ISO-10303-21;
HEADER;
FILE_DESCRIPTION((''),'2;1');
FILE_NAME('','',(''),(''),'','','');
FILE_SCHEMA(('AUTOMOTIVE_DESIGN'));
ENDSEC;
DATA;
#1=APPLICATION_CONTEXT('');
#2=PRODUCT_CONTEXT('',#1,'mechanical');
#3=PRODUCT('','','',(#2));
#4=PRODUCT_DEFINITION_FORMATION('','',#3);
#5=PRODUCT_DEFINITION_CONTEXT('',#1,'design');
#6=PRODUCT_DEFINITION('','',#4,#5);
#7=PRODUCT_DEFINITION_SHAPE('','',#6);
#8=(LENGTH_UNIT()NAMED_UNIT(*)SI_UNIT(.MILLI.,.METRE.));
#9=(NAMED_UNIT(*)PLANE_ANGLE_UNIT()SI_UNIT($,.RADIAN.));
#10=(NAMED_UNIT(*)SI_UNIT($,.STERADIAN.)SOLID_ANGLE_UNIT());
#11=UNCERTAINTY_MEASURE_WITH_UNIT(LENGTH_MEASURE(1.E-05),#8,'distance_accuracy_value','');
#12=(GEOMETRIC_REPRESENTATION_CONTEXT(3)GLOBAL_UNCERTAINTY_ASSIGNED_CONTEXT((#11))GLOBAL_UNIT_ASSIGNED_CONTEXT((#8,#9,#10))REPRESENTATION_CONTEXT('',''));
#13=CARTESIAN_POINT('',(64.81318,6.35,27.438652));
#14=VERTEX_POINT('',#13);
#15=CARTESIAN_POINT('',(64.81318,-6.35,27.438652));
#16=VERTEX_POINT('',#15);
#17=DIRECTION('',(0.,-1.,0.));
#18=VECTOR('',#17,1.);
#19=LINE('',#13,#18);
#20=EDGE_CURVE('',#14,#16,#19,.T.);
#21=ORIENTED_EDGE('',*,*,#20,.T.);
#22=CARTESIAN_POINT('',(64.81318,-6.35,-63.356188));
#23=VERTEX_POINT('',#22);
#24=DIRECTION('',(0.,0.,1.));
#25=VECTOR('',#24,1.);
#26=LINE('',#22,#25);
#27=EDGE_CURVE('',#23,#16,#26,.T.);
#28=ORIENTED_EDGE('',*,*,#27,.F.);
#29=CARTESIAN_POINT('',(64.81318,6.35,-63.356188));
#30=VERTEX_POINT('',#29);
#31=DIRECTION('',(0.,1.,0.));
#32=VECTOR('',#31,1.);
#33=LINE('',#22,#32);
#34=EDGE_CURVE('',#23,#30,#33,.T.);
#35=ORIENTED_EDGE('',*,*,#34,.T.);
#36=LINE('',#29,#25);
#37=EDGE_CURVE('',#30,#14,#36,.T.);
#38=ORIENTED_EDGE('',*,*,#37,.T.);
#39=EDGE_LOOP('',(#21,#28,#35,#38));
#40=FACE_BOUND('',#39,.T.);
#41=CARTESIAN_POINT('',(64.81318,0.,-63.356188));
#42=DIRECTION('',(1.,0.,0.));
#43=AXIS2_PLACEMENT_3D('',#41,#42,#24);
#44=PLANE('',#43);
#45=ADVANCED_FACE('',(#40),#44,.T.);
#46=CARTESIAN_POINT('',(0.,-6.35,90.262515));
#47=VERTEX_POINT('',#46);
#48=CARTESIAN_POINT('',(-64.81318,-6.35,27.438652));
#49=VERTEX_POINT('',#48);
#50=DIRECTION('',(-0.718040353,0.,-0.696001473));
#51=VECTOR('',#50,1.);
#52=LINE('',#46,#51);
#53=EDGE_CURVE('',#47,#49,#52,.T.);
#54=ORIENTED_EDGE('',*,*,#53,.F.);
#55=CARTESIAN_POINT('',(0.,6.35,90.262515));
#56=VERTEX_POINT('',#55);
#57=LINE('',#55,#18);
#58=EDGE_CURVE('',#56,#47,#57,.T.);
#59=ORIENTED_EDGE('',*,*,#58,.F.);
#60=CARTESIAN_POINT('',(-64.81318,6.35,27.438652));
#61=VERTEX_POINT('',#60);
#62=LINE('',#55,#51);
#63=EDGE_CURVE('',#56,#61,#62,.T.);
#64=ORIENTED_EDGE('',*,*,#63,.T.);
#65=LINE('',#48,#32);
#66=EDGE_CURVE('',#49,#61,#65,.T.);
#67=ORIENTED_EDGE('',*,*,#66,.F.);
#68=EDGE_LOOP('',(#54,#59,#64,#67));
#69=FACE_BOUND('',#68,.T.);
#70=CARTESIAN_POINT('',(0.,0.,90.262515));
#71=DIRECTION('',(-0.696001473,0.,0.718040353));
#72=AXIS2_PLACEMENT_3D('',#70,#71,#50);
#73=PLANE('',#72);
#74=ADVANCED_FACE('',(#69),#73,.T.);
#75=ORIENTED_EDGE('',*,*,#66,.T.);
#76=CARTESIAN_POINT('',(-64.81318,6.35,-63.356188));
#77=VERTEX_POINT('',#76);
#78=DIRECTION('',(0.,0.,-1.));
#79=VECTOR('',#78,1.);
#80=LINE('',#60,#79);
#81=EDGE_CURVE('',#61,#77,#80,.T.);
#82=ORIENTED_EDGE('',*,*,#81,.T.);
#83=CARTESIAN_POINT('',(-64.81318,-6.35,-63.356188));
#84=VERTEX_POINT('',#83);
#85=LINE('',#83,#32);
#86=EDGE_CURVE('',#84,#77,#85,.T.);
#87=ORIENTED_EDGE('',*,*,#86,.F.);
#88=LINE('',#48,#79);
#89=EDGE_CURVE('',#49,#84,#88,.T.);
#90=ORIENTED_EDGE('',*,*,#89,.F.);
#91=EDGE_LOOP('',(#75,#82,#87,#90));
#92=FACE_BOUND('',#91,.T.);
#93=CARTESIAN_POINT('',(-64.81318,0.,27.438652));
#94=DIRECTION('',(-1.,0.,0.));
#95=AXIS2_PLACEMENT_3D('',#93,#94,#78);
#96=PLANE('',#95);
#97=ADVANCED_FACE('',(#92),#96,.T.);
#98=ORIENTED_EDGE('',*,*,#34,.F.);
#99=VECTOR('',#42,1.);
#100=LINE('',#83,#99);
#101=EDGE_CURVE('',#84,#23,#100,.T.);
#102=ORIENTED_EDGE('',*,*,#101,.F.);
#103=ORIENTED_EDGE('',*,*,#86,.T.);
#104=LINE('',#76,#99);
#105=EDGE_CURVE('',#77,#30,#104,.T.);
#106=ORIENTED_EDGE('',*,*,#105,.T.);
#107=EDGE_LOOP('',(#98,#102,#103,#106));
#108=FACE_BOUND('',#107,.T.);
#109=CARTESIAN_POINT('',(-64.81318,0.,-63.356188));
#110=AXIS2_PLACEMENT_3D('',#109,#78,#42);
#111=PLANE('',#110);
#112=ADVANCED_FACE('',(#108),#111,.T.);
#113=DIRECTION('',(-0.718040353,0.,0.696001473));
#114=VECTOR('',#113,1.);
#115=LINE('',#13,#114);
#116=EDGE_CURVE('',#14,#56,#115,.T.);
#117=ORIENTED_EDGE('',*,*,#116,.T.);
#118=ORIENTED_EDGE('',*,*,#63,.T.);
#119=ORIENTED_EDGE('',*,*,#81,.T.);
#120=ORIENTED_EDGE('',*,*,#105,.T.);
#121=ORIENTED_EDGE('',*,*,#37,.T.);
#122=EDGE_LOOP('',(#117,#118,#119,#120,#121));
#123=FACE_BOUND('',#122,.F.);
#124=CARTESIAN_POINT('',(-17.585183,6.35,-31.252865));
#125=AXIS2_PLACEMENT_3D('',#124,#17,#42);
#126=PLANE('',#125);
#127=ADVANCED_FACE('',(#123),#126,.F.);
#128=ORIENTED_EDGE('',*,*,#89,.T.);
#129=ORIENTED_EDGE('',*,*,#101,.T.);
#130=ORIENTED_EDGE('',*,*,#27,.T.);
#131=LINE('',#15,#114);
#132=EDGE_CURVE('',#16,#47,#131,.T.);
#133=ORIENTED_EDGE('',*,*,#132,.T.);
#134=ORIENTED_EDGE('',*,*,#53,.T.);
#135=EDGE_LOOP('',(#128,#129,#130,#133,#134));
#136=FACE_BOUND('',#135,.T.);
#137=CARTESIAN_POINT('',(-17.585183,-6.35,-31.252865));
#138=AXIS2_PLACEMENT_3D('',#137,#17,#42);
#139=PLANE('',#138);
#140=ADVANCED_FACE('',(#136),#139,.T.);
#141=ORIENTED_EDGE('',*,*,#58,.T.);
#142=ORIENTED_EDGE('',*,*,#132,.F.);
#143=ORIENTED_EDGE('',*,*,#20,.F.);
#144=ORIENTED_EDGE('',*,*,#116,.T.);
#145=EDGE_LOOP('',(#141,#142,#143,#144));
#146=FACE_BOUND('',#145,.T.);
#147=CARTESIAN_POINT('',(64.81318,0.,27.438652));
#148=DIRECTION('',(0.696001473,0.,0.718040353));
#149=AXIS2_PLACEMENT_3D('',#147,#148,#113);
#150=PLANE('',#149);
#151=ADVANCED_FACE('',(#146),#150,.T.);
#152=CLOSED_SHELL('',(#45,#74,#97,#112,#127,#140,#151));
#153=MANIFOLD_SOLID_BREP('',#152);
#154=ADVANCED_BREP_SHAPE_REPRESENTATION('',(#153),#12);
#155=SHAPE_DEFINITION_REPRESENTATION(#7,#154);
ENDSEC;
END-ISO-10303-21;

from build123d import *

# Parameters (mm, degrees)
F1_DEPTH = 6.35


with BuildPart() as f1:
    # F0 (on Front) → F1 (new body, symmetric)
    with BuildSketch(Plane.XZ):
        with BuildLine():
            Line((-39.895691, -12.556188), (-39.895691, -63.356188))
            Line((-39.895691, -63.356188), (4.725324, -63.356188))
            Line((4.725324, -63.356188), (4.725324, -12.556188))
            ThreePointArc((4.725324, -12.556188), (-17.585183, 9.754319), (-39.895691, -12.556188))
        make_face()
        Polygon((0, 90.262515), (-64.81318, 27.438652), (64.81318, 27.438652), align=None)
        with BuildLine():
            Line((-64.81318, 27.438652), (-64.81318, -63.356188))
            Line((-64.81318, -63.356188), (-39.895691, -63.356188))
            Line((-39.895691, -63.356188), (-39.895691, -12.556188))
            ThreePointArc((-39.895691, -12.556188), (-17.585183, 9.754319), (4.725324, -12.556188))
            Line((4.725324, -12.556188), (4.725324, -63.356188))
            Line((4.725324, -63.356188), (64.81318, -63.356188))
            Line((64.81318, -63.356188), (64.81318, 27.438652))
            Line((64.81318, 27.438652), (-64.81318, 27.438652))
        make_face()
    extrude(amount=F1_DEPTH, both=True)


solid = f1.part
